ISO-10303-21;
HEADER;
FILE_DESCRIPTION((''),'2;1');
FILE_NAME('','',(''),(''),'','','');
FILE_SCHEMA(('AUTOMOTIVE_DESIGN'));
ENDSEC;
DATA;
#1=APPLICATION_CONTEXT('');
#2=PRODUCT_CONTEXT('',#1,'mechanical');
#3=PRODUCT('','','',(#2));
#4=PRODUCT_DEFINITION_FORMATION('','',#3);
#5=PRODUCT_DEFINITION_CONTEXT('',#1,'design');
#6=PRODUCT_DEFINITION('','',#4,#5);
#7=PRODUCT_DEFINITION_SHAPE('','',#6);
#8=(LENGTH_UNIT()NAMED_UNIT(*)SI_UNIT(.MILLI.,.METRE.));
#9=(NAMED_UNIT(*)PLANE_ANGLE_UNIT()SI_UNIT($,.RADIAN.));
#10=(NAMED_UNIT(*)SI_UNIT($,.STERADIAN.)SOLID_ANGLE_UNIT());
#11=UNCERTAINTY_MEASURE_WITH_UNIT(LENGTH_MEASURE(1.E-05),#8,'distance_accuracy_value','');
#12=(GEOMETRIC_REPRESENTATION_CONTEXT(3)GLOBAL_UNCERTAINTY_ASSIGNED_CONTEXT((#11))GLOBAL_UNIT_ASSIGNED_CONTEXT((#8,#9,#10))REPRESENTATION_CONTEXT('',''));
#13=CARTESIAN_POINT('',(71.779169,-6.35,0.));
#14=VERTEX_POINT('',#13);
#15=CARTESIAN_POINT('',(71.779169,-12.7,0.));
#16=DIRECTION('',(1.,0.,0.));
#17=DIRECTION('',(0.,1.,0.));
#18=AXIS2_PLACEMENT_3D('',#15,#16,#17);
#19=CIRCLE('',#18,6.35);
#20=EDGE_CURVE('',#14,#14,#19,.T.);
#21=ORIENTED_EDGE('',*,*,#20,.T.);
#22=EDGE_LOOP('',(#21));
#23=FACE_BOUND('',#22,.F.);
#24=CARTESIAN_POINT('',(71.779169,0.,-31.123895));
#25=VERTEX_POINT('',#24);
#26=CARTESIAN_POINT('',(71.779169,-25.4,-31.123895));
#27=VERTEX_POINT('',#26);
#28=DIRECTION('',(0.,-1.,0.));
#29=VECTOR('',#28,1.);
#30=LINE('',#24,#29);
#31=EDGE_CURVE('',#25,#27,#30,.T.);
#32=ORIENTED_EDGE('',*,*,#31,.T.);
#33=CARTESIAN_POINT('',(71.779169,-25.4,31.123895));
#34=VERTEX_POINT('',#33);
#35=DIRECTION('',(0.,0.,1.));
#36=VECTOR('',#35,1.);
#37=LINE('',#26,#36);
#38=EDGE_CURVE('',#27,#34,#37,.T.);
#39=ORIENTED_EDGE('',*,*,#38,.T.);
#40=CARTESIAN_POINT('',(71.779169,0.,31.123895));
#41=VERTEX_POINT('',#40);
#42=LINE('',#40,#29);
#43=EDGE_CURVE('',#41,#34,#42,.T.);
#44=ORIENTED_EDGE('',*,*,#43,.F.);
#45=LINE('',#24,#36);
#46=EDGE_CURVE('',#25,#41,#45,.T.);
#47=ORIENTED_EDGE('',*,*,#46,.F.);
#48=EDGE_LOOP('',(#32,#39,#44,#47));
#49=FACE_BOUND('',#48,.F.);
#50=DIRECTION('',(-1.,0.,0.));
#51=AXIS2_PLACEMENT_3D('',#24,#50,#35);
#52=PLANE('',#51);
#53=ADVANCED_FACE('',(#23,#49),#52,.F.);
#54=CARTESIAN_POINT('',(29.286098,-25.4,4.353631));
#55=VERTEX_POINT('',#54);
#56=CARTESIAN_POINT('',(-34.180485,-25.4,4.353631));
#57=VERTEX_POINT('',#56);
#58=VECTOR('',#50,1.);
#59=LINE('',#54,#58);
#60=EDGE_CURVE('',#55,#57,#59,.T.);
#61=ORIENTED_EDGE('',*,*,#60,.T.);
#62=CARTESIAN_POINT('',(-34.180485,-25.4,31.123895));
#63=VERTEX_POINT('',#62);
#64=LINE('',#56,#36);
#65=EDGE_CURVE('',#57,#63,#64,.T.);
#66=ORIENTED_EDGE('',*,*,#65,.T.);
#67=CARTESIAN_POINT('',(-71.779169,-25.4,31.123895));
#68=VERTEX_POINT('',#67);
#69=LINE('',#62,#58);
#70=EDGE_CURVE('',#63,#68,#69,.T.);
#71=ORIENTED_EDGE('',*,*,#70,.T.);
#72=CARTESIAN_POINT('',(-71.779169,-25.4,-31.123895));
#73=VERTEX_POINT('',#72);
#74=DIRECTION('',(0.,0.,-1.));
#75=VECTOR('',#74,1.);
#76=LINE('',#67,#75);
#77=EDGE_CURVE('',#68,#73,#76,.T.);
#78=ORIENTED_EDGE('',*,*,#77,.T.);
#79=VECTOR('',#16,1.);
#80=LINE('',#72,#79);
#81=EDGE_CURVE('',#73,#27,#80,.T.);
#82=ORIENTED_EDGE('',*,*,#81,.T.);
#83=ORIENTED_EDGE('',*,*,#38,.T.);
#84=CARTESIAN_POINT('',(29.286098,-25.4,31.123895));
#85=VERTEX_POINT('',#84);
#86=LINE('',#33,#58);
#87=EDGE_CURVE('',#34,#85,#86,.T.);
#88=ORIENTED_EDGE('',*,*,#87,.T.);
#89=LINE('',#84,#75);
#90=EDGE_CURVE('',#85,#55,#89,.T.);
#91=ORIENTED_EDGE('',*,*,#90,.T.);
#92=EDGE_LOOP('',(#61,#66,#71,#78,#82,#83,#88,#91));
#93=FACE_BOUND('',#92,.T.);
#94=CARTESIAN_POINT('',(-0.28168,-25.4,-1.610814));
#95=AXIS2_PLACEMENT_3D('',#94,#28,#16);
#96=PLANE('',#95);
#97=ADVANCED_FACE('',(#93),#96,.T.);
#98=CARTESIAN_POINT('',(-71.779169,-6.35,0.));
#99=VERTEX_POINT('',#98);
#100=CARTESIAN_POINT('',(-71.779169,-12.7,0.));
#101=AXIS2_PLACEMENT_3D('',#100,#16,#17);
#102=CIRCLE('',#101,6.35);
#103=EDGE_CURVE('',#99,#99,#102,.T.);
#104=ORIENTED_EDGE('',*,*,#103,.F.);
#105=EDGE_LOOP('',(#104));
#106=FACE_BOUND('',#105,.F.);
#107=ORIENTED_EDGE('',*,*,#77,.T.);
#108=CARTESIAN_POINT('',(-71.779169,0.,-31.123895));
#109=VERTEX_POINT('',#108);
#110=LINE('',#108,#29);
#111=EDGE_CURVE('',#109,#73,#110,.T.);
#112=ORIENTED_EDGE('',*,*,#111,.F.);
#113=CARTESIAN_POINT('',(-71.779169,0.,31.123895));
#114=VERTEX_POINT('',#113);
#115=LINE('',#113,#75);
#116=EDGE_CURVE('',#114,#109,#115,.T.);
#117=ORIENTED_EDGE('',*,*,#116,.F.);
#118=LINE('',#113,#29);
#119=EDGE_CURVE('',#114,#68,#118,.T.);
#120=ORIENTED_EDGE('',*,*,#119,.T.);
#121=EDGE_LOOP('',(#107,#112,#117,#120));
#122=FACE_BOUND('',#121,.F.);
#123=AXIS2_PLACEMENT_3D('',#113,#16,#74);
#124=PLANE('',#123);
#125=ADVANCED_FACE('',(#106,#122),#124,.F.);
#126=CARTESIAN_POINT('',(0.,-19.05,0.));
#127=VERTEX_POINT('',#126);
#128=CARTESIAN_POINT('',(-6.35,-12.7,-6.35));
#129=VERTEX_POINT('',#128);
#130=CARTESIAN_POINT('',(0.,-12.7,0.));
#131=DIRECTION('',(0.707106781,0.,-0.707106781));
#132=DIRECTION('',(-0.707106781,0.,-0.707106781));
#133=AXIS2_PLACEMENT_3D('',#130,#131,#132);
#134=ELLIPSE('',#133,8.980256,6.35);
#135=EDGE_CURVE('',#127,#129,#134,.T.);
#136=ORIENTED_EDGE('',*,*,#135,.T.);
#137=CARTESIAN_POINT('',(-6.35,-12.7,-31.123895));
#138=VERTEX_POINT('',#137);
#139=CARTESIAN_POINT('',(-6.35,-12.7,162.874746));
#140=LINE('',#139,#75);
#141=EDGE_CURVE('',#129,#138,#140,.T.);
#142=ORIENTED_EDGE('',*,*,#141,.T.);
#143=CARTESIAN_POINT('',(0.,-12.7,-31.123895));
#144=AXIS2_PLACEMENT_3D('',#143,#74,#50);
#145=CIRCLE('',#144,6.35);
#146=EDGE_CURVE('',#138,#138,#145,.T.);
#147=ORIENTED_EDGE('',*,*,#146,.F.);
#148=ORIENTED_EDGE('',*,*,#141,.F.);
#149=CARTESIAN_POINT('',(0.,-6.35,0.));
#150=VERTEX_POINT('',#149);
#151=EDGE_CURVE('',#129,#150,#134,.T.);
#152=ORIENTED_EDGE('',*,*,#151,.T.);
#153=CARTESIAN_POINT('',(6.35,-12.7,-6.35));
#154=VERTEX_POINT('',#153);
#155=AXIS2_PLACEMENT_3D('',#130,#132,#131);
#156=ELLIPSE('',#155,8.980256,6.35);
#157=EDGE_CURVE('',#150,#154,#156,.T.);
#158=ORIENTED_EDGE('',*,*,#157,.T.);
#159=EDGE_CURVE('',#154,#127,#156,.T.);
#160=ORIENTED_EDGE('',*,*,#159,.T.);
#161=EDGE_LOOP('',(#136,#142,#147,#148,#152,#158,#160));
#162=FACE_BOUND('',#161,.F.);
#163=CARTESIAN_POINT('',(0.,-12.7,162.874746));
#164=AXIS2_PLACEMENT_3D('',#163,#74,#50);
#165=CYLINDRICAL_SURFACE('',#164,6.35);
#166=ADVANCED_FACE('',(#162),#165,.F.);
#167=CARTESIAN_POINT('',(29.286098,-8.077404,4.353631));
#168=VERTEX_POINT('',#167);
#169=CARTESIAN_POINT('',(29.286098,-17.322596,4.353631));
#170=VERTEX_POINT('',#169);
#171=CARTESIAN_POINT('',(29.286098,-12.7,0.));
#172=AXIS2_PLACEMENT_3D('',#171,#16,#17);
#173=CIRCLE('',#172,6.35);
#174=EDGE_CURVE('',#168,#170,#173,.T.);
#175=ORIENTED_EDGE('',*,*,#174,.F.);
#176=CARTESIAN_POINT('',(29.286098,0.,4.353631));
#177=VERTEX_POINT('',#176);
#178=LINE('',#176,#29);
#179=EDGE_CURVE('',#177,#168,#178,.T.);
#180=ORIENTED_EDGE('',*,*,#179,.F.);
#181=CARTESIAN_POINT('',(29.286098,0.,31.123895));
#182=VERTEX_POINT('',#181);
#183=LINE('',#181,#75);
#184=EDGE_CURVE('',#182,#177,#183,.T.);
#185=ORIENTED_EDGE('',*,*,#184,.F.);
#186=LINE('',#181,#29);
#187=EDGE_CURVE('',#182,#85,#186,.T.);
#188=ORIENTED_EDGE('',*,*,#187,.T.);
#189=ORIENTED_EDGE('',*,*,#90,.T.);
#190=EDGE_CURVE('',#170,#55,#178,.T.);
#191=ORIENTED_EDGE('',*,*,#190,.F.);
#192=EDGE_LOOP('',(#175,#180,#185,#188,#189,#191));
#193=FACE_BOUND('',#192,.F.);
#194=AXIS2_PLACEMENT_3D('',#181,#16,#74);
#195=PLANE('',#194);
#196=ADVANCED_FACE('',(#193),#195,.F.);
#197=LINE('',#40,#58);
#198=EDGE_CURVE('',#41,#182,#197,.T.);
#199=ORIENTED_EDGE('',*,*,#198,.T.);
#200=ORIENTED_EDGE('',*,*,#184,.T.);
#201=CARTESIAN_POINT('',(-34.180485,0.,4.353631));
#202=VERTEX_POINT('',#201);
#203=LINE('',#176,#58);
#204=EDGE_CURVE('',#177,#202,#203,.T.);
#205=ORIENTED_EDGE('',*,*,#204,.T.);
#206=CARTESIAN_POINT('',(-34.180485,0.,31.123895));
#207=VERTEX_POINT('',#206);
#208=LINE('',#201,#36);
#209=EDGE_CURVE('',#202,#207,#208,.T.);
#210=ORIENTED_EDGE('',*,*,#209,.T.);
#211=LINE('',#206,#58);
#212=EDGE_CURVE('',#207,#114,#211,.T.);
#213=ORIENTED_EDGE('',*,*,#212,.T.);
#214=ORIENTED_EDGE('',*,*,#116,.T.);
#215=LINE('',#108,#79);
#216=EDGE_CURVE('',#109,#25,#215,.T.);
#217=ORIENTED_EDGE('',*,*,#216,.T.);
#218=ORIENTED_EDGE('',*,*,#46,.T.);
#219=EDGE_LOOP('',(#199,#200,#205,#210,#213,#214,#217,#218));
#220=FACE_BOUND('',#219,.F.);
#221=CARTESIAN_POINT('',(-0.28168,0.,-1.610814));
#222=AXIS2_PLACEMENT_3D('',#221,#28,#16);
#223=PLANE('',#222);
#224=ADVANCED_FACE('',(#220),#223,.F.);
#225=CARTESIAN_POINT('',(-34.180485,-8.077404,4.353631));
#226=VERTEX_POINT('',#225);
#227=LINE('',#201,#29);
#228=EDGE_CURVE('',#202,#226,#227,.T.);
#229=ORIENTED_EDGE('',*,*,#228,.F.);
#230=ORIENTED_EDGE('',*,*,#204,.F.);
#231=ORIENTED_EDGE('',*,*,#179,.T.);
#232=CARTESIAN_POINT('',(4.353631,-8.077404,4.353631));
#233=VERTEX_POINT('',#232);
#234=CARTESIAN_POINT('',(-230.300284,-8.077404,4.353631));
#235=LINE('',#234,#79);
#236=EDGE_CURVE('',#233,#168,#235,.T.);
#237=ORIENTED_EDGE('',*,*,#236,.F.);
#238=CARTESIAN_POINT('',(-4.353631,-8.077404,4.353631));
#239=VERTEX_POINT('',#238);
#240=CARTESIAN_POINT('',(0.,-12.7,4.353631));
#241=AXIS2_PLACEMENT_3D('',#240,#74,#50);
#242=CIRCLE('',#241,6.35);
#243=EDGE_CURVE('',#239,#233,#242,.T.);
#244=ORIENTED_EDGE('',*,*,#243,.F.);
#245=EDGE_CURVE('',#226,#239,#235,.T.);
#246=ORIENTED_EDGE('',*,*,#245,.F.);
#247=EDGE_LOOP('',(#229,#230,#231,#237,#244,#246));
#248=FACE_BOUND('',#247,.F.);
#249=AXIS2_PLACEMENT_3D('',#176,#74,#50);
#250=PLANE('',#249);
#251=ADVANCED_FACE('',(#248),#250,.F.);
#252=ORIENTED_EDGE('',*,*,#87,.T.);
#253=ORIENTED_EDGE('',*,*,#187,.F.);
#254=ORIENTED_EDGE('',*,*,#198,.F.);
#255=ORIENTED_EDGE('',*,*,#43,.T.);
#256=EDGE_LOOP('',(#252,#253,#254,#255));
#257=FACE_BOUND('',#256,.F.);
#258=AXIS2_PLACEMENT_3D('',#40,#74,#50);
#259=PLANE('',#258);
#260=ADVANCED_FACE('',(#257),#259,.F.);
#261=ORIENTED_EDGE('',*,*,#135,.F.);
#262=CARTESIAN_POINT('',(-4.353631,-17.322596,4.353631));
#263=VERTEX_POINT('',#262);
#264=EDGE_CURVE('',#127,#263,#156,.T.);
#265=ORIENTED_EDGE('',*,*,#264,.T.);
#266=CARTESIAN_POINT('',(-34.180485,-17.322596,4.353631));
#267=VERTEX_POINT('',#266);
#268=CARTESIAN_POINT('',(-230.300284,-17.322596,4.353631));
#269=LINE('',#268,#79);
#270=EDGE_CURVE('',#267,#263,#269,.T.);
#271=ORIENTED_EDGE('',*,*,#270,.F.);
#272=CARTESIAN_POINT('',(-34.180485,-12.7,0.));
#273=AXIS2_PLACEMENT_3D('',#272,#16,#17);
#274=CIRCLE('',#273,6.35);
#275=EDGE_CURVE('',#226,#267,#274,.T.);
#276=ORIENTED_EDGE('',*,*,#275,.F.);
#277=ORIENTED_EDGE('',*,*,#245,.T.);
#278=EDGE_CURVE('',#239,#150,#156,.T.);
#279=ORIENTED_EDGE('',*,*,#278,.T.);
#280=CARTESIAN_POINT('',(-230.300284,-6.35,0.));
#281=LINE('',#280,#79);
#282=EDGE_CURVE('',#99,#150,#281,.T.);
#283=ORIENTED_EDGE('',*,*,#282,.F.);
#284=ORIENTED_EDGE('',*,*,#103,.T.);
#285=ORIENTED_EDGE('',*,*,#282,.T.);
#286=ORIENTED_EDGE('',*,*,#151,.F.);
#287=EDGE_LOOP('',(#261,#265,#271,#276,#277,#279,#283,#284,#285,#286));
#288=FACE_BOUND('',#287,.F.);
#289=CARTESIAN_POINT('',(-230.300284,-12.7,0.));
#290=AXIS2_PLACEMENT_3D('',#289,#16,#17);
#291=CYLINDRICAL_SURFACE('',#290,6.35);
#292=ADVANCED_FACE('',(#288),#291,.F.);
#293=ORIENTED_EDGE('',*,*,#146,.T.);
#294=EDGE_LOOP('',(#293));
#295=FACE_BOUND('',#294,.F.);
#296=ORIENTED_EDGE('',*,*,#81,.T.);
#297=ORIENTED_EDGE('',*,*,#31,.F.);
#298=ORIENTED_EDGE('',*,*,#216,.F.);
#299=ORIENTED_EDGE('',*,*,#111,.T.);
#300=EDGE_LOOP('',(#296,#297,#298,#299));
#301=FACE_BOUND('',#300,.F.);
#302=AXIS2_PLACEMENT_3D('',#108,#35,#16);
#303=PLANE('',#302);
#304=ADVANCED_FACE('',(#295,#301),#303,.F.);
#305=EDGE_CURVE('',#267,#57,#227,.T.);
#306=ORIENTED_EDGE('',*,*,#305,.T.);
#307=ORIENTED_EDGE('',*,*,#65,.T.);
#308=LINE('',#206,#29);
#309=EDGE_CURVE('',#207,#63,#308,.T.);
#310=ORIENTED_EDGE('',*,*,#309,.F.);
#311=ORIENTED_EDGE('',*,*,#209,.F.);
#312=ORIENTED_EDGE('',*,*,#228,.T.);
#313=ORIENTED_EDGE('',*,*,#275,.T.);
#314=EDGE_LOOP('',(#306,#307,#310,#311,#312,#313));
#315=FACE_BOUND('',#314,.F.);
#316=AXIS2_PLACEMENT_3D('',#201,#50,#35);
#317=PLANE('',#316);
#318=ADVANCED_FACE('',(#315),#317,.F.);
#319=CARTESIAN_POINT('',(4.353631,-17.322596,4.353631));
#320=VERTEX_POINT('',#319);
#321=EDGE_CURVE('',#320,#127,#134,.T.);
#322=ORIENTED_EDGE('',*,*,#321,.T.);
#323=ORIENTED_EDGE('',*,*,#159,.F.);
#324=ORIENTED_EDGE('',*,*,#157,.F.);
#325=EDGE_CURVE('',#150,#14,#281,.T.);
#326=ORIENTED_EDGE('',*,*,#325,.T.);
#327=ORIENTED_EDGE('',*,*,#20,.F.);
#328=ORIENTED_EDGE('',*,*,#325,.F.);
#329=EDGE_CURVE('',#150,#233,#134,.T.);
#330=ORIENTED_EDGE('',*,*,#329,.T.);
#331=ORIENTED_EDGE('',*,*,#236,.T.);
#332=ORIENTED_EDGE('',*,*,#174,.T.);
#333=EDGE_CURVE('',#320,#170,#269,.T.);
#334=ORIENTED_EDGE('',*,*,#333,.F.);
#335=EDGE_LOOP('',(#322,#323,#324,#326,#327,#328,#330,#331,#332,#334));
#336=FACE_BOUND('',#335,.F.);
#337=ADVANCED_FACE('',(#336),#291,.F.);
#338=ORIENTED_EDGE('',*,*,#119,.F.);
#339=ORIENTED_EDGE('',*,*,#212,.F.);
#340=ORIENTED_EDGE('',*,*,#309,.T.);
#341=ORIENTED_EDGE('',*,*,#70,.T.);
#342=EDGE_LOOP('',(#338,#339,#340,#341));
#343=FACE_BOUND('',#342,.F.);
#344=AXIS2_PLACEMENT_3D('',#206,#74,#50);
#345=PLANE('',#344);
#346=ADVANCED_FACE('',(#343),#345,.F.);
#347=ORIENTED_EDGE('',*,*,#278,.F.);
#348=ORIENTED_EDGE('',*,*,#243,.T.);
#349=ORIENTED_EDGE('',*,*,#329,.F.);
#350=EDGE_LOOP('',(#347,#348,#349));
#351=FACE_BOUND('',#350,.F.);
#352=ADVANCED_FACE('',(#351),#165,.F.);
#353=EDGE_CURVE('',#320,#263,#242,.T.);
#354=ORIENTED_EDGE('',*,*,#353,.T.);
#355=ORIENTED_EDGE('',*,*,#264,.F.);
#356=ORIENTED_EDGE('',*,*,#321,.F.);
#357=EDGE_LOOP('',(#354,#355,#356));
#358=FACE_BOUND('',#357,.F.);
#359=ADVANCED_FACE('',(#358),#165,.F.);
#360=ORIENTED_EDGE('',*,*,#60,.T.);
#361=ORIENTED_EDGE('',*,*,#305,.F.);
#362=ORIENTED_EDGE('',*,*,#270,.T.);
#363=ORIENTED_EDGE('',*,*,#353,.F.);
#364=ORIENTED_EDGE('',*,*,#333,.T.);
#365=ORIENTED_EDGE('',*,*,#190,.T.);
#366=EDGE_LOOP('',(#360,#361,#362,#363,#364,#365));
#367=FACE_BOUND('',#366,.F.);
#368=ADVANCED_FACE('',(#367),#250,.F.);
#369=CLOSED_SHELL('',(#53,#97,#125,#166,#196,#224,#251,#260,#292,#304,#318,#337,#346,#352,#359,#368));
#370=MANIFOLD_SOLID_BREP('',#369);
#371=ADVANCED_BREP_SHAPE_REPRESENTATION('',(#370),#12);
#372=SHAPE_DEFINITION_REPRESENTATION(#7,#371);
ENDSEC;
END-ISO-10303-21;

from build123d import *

# Parameters (mm, degrees)
F1_DEPTH = 25.4
F3_D     = 12.7
F5_D     = 12.7


with BuildPart() as f1:
    # F0 (on Front) → F1 (new body)
    with BuildSketch(Plane.XZ):
        Polygon((-34.180485, 31.123895), (-71.779169, 31.123895), (-71.779169, -31.123895), (71.779169, -31.123895), (71.779169, 31.123895), (29.286098, 31.123895), (29.286098, 4.353631), (-34.180485, 4.353631), align=None)
    extrude(amount=F1_DEPTH)

    # F3 (through all)
    with Locations(Plane.XY.offset(4.353631)):
        with Locations((0, -12.7)):
            Hole(F3_D / 2)

    # F5 (through all)
    with Locations(Plane(origin=(-71.779169, 0, 0), x_dir=(0, -1, 0), z_dir=(-1, 0, 0))):
        with Locations((12.7, 0)):
            Hole(F5_D / 2)


solid = f1.part
